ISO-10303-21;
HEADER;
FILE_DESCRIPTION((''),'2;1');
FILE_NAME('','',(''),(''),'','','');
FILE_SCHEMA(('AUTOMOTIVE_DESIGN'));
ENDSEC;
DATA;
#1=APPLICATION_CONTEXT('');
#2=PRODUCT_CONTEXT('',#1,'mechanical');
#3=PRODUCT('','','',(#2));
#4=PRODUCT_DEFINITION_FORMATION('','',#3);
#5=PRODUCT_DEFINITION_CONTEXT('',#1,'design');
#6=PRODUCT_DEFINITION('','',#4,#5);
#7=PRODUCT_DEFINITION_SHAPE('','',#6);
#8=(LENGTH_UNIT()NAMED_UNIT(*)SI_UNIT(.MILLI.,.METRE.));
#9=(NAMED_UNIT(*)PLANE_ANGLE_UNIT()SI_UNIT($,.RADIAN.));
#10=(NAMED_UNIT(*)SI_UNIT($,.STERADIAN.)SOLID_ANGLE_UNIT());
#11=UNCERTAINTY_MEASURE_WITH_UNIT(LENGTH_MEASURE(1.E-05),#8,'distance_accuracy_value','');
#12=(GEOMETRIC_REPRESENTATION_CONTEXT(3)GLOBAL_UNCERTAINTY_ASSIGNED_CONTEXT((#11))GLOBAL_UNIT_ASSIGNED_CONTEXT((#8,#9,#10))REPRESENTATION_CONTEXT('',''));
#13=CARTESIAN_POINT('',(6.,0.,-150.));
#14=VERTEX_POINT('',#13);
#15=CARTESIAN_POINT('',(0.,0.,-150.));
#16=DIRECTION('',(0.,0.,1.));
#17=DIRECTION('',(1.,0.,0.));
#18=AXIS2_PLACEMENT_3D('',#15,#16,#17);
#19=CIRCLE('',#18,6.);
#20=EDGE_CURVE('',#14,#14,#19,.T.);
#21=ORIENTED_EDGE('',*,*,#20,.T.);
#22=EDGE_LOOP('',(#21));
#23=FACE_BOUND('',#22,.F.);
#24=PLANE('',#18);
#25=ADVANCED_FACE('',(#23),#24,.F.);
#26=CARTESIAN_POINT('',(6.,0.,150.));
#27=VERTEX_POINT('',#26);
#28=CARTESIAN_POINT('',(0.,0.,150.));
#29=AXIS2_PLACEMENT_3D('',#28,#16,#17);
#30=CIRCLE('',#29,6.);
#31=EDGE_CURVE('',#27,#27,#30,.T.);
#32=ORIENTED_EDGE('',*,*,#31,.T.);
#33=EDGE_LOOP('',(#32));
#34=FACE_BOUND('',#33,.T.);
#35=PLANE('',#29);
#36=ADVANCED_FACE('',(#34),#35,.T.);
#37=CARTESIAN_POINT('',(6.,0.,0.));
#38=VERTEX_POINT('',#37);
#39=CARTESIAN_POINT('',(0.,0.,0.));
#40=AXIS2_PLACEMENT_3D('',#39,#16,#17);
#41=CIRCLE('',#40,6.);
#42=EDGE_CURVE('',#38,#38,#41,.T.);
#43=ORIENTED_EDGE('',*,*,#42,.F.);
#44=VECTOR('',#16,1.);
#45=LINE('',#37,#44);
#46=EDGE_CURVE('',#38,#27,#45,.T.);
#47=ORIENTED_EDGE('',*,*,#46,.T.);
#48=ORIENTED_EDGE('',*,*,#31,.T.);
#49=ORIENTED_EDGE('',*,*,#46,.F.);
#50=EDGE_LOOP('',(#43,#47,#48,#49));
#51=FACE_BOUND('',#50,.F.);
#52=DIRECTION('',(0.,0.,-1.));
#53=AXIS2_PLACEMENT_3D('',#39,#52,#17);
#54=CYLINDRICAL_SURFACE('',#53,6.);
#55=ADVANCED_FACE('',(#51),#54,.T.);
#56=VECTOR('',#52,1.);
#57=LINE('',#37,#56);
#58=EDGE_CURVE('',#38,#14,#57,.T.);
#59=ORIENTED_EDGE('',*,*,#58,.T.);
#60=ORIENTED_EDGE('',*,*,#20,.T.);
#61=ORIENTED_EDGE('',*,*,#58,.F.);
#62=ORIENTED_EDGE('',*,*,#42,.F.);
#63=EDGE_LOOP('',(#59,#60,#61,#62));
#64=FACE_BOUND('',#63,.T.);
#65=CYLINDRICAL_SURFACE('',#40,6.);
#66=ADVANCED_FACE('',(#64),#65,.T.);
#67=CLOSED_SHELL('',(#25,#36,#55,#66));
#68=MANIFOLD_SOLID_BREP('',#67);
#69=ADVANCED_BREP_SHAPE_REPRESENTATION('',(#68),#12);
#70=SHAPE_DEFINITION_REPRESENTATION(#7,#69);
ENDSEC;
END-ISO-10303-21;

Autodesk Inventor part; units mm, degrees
ref_plane "YZ Plane" through (0, 0, 0) normal (1, 0, 0) x (0, 1, 0)
ref_plane "XZ Plane" through (0, 0, 0) normal (0, 1, 0) x (-1, 0, 0)
sketch "スケッチ1" plane through (0, 0, 0) normal (0, 0, 1) x (1, 0, 0)
  circle A0 centre (0, 0) radius 6
  dimension "d0" = 12
extrude "押し出し1" add sketch "スケッチ1" along normal mid plane 300
properties part number "軸"
